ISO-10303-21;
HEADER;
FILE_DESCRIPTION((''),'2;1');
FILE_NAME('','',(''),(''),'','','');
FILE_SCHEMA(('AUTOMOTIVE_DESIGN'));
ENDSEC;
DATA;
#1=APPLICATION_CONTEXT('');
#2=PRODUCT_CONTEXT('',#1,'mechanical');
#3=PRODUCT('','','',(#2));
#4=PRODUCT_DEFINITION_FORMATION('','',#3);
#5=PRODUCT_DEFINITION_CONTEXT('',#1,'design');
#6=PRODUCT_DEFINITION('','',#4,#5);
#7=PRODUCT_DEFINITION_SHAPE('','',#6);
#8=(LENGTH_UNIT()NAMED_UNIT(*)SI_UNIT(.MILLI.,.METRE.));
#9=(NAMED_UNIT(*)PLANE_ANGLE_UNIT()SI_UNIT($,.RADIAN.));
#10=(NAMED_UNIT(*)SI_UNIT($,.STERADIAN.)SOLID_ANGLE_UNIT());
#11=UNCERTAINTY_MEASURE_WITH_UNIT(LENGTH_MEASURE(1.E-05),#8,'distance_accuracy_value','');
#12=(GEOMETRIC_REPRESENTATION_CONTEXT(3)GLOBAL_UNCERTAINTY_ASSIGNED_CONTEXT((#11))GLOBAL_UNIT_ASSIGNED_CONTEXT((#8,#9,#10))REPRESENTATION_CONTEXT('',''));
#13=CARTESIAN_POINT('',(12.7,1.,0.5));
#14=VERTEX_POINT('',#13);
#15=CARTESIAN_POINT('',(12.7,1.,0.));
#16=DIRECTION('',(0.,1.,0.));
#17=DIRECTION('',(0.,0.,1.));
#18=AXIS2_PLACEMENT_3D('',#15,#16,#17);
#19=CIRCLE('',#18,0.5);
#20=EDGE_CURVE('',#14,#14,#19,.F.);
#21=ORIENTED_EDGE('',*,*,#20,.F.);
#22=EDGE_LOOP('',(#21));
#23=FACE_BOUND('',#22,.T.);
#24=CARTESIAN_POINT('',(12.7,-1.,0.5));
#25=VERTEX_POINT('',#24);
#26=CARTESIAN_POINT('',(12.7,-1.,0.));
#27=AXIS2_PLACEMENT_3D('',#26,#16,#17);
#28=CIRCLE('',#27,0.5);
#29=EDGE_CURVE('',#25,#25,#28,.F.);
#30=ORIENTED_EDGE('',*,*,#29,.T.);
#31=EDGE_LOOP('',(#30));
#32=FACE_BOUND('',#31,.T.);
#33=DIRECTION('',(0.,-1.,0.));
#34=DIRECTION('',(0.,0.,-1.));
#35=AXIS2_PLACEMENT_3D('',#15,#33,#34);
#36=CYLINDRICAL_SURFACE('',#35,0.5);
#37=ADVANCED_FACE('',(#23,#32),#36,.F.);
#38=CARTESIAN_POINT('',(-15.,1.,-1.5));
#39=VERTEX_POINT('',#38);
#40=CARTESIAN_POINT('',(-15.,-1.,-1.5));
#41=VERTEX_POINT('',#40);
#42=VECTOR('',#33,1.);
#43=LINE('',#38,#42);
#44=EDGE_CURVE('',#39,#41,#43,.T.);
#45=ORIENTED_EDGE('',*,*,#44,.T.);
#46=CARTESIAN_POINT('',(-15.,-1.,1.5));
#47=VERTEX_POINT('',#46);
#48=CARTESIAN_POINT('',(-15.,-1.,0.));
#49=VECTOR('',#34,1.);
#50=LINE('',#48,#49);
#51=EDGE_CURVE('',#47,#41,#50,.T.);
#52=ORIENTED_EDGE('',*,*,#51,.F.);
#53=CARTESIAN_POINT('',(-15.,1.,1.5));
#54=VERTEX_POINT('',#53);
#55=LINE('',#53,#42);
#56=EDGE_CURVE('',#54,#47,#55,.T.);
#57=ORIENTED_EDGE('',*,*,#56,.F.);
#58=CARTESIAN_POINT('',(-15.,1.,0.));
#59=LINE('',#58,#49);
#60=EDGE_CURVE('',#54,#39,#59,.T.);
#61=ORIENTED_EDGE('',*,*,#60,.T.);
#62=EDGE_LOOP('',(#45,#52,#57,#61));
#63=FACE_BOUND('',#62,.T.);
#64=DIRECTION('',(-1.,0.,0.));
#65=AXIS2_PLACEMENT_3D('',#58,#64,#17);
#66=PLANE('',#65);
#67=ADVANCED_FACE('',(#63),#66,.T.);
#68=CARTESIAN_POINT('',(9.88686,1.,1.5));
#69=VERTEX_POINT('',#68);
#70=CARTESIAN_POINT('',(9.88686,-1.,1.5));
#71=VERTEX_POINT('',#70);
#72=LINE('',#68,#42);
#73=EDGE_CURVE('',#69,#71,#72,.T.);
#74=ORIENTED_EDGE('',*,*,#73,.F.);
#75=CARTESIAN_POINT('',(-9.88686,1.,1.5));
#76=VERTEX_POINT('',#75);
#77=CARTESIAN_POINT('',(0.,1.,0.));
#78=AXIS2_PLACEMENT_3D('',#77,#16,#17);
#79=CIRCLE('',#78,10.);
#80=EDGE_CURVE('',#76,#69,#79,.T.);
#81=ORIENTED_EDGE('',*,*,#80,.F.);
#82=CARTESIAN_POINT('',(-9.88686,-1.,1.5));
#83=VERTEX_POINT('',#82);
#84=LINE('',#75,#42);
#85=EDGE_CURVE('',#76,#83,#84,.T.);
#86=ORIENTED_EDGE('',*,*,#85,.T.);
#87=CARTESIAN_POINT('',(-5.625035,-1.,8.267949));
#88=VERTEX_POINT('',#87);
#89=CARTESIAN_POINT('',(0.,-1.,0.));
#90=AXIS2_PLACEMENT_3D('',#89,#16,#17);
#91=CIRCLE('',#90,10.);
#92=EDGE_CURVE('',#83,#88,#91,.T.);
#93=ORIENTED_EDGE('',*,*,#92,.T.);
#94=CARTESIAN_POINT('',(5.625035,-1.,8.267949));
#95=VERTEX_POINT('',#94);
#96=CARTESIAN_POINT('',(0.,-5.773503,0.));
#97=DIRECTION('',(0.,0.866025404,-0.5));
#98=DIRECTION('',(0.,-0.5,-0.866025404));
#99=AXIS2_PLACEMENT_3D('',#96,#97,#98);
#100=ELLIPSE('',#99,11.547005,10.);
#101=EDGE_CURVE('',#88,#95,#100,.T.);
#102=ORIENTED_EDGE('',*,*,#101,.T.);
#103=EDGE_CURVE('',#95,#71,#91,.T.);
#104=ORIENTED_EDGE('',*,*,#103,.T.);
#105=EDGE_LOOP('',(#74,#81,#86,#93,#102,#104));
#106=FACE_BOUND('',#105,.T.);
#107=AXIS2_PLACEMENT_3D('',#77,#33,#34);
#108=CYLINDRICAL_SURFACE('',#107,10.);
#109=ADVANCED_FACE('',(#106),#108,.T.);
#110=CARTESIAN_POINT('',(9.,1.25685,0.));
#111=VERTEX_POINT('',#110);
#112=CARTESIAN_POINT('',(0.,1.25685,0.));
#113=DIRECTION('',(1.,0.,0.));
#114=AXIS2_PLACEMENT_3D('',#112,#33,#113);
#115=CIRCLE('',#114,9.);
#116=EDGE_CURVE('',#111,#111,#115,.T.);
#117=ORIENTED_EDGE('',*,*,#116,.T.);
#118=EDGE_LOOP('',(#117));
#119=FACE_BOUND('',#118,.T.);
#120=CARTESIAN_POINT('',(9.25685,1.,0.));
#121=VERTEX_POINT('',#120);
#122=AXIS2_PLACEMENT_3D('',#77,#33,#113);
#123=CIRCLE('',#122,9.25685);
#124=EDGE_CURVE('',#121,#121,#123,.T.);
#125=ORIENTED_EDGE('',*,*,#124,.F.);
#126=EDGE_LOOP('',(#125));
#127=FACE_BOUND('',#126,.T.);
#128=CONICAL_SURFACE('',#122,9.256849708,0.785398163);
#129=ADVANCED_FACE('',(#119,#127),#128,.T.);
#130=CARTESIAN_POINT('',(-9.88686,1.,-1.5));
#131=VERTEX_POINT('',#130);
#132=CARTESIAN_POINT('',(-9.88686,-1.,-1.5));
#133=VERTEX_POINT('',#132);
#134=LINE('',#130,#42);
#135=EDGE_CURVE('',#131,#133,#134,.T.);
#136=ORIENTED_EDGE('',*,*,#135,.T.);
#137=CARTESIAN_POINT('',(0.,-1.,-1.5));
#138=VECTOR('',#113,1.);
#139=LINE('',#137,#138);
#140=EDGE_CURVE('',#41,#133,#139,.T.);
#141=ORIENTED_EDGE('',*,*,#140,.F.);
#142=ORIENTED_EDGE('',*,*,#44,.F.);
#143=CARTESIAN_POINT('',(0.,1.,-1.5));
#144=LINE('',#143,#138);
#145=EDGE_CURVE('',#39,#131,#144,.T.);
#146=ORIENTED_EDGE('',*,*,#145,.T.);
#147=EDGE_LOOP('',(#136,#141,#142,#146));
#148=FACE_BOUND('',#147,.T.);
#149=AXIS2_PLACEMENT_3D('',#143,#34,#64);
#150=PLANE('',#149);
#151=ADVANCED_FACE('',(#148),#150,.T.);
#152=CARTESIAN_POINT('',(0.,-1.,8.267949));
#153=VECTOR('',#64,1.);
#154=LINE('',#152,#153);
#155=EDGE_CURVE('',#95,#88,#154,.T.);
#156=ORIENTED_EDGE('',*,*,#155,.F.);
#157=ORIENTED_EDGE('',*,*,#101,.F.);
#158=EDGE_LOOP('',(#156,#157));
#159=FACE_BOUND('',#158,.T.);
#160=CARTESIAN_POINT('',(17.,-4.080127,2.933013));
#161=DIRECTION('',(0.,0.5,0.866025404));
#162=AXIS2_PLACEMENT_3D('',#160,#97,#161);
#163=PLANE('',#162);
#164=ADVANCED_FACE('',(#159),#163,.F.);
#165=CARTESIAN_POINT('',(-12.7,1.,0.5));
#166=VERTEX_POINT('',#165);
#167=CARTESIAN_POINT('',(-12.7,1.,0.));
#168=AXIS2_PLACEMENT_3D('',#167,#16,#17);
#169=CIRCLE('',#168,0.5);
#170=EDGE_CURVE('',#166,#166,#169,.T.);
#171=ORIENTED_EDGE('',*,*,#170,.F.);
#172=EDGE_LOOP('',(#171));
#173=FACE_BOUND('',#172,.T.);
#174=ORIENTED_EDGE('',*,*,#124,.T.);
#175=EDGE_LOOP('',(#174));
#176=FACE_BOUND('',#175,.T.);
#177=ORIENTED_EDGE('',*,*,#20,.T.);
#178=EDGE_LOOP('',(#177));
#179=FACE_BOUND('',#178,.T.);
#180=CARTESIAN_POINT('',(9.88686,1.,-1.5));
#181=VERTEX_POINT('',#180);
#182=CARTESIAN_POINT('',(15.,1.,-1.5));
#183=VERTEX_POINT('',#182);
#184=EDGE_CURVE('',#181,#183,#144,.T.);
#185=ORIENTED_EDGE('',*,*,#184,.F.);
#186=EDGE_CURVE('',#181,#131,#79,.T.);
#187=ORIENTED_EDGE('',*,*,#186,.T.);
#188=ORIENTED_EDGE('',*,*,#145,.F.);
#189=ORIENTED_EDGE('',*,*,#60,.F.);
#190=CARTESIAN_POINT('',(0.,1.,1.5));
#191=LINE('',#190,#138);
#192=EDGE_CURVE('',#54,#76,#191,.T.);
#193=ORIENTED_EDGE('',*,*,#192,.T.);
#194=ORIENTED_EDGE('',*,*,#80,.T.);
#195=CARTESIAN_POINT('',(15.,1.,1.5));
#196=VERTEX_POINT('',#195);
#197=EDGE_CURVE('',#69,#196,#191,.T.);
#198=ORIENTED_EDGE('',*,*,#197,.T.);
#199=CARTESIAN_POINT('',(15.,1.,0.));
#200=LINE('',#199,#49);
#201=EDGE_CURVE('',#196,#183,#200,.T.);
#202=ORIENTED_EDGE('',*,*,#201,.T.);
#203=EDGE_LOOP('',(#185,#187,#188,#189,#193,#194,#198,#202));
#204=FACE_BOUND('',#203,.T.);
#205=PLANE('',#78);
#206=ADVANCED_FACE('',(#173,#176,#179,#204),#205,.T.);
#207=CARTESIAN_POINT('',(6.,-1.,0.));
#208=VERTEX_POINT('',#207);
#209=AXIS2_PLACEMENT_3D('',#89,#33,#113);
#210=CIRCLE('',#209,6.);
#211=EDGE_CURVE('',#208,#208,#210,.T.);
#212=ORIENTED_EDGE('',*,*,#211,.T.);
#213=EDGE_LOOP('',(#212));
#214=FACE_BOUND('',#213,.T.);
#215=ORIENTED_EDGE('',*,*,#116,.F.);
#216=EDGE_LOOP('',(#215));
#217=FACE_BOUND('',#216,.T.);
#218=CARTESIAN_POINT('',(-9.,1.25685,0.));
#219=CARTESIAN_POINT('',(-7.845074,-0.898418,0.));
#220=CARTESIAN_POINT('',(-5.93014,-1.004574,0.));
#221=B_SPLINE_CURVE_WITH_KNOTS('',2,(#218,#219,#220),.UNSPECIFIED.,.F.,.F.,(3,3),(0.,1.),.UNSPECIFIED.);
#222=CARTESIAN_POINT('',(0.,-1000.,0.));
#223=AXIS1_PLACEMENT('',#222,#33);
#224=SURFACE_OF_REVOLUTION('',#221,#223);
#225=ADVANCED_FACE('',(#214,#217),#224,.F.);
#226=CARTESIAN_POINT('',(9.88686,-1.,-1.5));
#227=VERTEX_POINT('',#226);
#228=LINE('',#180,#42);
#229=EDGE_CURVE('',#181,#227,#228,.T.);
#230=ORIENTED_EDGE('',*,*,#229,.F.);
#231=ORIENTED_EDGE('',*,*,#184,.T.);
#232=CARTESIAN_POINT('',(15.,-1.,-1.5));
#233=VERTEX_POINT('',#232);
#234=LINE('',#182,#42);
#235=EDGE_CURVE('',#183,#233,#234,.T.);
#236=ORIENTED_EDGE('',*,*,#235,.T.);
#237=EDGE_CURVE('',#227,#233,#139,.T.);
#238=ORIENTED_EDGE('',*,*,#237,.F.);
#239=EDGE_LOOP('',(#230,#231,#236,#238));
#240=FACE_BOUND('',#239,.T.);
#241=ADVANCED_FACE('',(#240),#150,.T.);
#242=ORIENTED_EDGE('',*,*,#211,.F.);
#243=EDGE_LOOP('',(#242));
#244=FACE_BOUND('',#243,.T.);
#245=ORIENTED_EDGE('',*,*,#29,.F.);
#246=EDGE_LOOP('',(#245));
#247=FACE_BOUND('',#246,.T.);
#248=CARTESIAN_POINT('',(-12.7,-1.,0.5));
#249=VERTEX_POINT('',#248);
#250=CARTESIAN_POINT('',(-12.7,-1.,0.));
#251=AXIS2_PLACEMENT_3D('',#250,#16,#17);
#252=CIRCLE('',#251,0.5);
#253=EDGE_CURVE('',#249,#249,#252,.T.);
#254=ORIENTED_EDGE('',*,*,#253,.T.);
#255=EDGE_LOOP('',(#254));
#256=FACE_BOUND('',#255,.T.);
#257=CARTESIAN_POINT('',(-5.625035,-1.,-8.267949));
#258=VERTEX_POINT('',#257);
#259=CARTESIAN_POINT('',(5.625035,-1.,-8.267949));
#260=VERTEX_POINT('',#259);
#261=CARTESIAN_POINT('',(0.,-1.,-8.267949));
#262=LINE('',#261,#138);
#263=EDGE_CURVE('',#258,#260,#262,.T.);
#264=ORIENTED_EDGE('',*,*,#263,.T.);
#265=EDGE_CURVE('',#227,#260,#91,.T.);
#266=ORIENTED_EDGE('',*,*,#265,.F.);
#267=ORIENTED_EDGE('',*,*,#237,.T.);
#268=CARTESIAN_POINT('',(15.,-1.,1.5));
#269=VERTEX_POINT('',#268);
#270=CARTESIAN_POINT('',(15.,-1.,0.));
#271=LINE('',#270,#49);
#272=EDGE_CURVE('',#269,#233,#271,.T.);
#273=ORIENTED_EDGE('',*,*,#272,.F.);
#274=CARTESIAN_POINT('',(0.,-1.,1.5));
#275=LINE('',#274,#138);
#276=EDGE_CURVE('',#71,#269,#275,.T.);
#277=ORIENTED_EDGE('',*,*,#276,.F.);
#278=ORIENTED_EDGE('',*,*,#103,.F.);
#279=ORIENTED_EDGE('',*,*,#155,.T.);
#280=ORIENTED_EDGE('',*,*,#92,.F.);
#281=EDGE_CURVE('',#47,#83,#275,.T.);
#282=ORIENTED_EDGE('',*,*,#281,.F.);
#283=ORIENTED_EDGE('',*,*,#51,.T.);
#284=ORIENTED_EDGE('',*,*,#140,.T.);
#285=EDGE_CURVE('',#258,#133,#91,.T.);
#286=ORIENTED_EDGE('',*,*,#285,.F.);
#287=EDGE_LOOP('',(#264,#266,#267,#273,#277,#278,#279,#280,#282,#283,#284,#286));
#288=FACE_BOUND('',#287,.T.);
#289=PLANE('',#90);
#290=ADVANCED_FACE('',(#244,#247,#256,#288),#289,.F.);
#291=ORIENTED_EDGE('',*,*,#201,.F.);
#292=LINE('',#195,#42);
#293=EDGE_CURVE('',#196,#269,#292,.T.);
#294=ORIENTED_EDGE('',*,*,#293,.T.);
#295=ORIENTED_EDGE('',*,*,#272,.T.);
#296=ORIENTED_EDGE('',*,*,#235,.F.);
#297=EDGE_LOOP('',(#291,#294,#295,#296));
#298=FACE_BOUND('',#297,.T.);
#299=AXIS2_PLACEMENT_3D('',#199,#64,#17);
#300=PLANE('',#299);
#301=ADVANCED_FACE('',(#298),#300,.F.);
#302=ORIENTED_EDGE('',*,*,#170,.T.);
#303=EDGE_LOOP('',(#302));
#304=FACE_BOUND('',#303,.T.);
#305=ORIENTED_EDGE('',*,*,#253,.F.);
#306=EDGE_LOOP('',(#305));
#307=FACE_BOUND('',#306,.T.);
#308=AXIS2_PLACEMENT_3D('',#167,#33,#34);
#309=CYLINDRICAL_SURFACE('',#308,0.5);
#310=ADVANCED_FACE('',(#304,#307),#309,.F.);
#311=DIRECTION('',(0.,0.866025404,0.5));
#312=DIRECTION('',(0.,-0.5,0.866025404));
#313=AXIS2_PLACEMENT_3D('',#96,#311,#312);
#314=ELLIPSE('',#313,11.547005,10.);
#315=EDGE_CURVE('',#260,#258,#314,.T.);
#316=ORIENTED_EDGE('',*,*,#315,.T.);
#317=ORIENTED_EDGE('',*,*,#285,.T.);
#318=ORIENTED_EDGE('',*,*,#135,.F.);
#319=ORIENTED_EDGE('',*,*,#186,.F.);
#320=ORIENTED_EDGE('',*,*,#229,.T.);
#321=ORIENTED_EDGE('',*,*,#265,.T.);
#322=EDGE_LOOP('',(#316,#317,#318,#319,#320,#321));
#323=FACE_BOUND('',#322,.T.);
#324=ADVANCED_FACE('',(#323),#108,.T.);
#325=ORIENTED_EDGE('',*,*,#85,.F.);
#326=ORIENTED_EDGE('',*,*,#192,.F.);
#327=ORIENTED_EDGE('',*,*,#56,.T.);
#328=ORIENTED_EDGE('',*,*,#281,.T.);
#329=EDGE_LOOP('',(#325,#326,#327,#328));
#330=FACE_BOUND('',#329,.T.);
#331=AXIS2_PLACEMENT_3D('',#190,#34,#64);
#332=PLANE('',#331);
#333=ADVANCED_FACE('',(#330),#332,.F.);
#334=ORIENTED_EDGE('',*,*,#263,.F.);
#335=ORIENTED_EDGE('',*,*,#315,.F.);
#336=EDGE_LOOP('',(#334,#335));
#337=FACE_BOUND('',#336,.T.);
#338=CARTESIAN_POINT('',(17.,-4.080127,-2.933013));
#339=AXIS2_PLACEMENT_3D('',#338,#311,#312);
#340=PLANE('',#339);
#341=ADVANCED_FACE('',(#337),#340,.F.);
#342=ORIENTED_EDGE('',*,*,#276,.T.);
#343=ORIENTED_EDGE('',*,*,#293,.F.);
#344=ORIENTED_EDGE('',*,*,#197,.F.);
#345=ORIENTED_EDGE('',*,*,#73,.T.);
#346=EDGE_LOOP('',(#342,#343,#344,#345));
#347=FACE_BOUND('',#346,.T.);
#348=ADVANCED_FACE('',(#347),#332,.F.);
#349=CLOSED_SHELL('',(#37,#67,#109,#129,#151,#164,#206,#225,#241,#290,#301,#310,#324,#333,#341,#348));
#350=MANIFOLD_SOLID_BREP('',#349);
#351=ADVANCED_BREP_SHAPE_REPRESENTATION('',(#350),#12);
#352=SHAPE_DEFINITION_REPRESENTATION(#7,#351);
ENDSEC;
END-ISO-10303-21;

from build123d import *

# Parameters (mm, degrees)
SKETCH1_R           = 0.5
BOSS_EXTRUDE1_DEPTH = 1
CUT_EXTRUDE1_START  = -15
CUT_EXTRUDE1_DEPTH  = 30


with BuildPart() as part:
    # Sketch1 → Boss-Extrude1 (new, symmetric)
    # profile 1 of 14: a face of its own
    with BuildSketch(Plane(origin=(0, 0, 0), x_dir=(1, 0, 0), z_dir=(0, 1, 0))):
        with BuildLine():
            Line((-15, -1.5), (-9.886859967, -1.5))
            ThreePointArc((-9.886859967, -1.5), (-10, 0), (-9.886859967, 1.5))
            Line((-9.886859967, 1.5), (-15, 1.5))
            Line((-15, 1.5), (-15, -1.5))
        make_face()
        with Locations(Location((-12.7, 0, 0), (0, 0, 270))):
            Circle(SKETCH1_R, mode=Mode.SUBTRACT)
    # profile 2 of 14: a face of its own
    with BuildSketch(Plane(origin=(0, 0, 0), x_dir=(1, 0, 0), z_dir=(0, 1, 0))):
        with BuildLine():
            ThreePointArc((-9.886859967, 1.5), (-10, 0), (-9.886859967, -1.5))
            Line((-9.886859967, -1.5), (-8.874119675, -1.5))
            ThreePointArc((-8.874119675, -1.5), (-9, 0), (-8.874119675, 1.5))
            Line((-8.874119675, 1.5), (-9.886859967, 1.5))
        make_face()
    # profile 3 of 14: a face of its own
    with BuildSketch(Plane(origin=(0, 0, 0), x_dir=(1, 0, 0), z_dir=(0, 1, 0))):
        with BuildLine():
            Line((8.874119675, -1.5), (9.886859967, -1.5))
            ThreePointArc((9.886859967, -1.5), (9.971674876, -0.752130419), (10, 0))
            ThreePointArc((10, 0), (9.971674876, 0.752130419), (9.886859967, 1.5))
            Line((9.886859967, 1.5), (8.874119675, 1.5))
            ThreePointArc((8.874119675, 1.5), (8.968474705, 0.752636343), (9, 0))
            ThreePointArc((9, 0), (8.968474705, -0.752636343), (8.874119675, -1.5))
        make_face()
    # profile 4 of 14: a face of its own
    with BuildSketch(Plane(origin=(0, 0, 0), x_dir=(1, 0, 0), z_dir=(0, 1, 0))):
        with BuildLine():
            ThreePointArc((-9.886859967, -1.5), (-6.519202405, -7.582875444), (0, -10))
            Line((0, -10), (0, -9))
            ThreePointArc((0, -9), (-5.809475019, -6.873863542), (-8.874119675, -1.5))
            Line((-8.874119675, -1.5), (-9.886859967, -1.5))
        make_face()
    # profile 5 of 14: a face of its own
    with BuildSketch(Plane(origin=(0, 0, 0), x_dir=(1, 0, 0), z_dir=(0, 1, 0))):
        with BuildLine():
            Line((0, -9), (0, -10))
            ThreePointArc((0, -10), (6.519202405, -7.582875444), (9.886859967, -1.5))
            Line((9.886859967, -1.5), (8.874119675, -1.5))
            ThreePointArc((8.874119675, -1.5), (5.809475019, -6.873863542), (0, -9))
        make_face()
    # profile 6 of 14: a face of its own
    with BuildSketch(Plane(origin=(0, 0, 0), x_dir=(1, 0, 0), z_dir=(0, 1, 0))):
        with BuildLine():
            ThreePointArc((0, 10), (-6.519202405, 7.582875444), (-9.886859967, 1.5))
            Line((-9.886859967, 1.5), (-8.874119675, 1.5))
            ThreePointArc((-8.874119675, 1.5), (-5.809475019, 6.873863542), (0, 9))
            Line((0, 9), (0, 10))
        make_face()
    # profile 7 of 14: a face of its own
    with BuildSketch(Plane(origin=(0, 0, 0), x_dir=(1, 0, 0), z_dir=(0, 1, 0))):
        with BuildLine():
            ThreePointArc((9.886859967, 1.5), (6.519202405, 7.582875444), (0, 10))
            Line((0, 10), (0, 9))
            ThreePointArc((0, 9), (5.809475019, 6.873863542), (8.874119675, 1.5))
            Line((8.874119675, 1.5), (9.886859967, 1.5))
        make_face()
    # profile 8 of 14: a face of its own
    with BuildSketch(Plane(origin=(0, 0, 0), x_dir=(1, 0, 0), z_dir=(0, 1, 0))):
        with BuildLine():
            ThreePointArc((-9.886859967, -1.5), (-6.519202405, -7.582875444), (0, -10))
            Line((0, -10), (0, -9))
            ThreePointArc((0, -9), (-5.809475019, -6.873863542), (-8.874119675, -1.5))
            Line((-8.874119675, -1.5), (-9.886859967, -1.5))
        make_face()
    # profile 9 of 14: a face of its own
    with BuildSketch(Plane(origin=(0, 0, 0), x_dir=(1, 0, 0), z_dir=(0, 1, 0))):
        with BuildLine():
            Line((0, -9), (0, -10))
            ThreePointArc((0, -10), (6.519202405, -7.582875444), (9.886859967, -1.5))
            Line((9.886859967, -1.5), (8.874119675, -1.5))
            ThreePointArc((8.874119675, -1.5), (5.809475019, -6.873863542), (0, -9))
        make_face()
    # profile 10 of 14: a face of its own
    with BuildSketch(Plane(origin=(0, 0, 0), x_dir=(1, 0, 0), z_dir=(0, 1, 0))):
        with BuildLine():
            ThreePointArc((0, 10), (-6.519202405, 7.582875444), (-9.886859967, 1.5))
            Line((-9.886859967, 1.5), (-8.874119675, 1.5))
            ThreePointArc((-8.874119675, 1.5), (-5.809475019, 6.873863542), (0, 9))
            Line((0, 9), (0, 10))
        make_face()
    # profile 11 of 14: a face of its own
    with BuildSketch(Plane(origin=(0, 0, 0), x_dir=(1, 0, 0), z_dir=(0, 1, 0))):
        with BuildLine():
            ThreePointArc((9.886859967, 1.5), (6.519202405, 7.582875444), (0, 10))
            Line((0, 10), (0, 9))
            ThreePointArc((0, 9), (5.809475019, 6.873863542), (8.874119675, 1.5))
            Line((8.874119675, 1.5), (9.886859967, 1.5))
        make_face()
    # profile 12 of 14: a face of its own
    with BuildSketch(Plane(origin=(0, 0, 0), x_dir=(1, 0, 0), z_dir=(0, 1, 0))):
        with BuildLine():
            ThreePointArc((10, 0), (9.971674876, -0.752130419), (9.886859967, -1.5))
            Line((9.886859967, -1.5), (15, -1.5))
            Line((15, -1.5), (15, 1.5))
            Line((15, 1.5), (9.886859967, 1.5))
            ThreePointArc((9.886859967, 1.5), (9.971674876, 0.752130419), (10, 0))
        make_face()
        with Locations(Location((12.7, 0, 0), (0, 0, 270))):
            Circle(SKETCH1_R, mode=Mode.SUBTRACT)
    # profile 13 of 14: a face of its own
    with BuildSketch(Plane(origin=(0, 0, 0), x_dir=(1, 0, 0), z_dir=(0, 1, 0))):
        with BuildLine():
            ThreePointArc((-9.886859967, 1.5), (-10, 0), (-9.886859967, -1.5))
            Line((-9.886859967, -1.5), (-8.874119675, -1.5))
            ThreePointArc((-8.874119675, -1.5), (-9, 0), (-8.874119675, 1.5))
            Line((-8.874119675, 1.5), (-9.886859967, 1.5))
        make_face()
    # profile 14 of 14: a face of its own
    with BuildSketch(Plane(origin=(0, 0, 0), x_dir=(1, 0, 0), z_dir=(0, 1, 0))):
        with BuildLine():
            Line((8.874119675, -1.5), (9.886859967, -1.5))
            ThreePointArc((9.886859967, -1.5), (9.971674876, -0.752130419), (10, 0))
            ThreePointArc((10, 0), (9.971674876, 0.752130419), (9.886859967, 1.5))
            Line((9.886859967, 1.5), (8.874119675, 1.5))
            ThreePointArc((8.874119675, 1.5), (8.968474705, 0.752636343), (9, 0))
            ThreePointArc((9, 0), (8.968474705, -0.752636343), (8.874119675, -1.5))
        make_face()
    extrude(amount=BOSS_EXTRUDE1_DEPTH, both=True)

    # Sketch5 → Revolve1 (revolve)
    with BuildSketch(Plane.XY, mode=Mode.PRIVATE) as revolve1_sk:
        with BuildLine():
            Line((-9, 1.256849708), (-9.256849708, 1))
            Line((-9.256849708, 1), (-9.256849708, -1))
            Line((-9.256849708, -1), (-8, -1))
            Line((-8, -1), (-6, -1))
            add(Edge.make_bspline(
                [(-9, 1.256849708), (-7.866217648, -0.858961069), (-6, -1)],
                knots=[0, 0, 0, 0.981692631, 0.981692631, 0.981692631], degree=2))
        make_face()
    revolve(revolve1_sk.sketch.rotate(Axis((0, -1000, 0), (0, 1, 0)), 180), axis=Axis((0, -1000, 0), (0, 1, 0)))

    # Sketch6 → Cut-Extrude1 (cut)
    with BuildSketch(Plane(origin=(0, 0, 0), x_dir=(0, 0, -1), z_dir=(1, 0, 0)).offset(CUT_EXTRUDE1_START)):
        Polygon((10, 0), (10, -1), (8.267949192, -1), align=None)
        Polygon((-10, 0), (-10, -1), (-8.267949192, -1), align=None)
    extrude(amount=CUT_EXTRUDE1_DEPTH, mode=Mode.SUBTRACT)


solid = part.part
